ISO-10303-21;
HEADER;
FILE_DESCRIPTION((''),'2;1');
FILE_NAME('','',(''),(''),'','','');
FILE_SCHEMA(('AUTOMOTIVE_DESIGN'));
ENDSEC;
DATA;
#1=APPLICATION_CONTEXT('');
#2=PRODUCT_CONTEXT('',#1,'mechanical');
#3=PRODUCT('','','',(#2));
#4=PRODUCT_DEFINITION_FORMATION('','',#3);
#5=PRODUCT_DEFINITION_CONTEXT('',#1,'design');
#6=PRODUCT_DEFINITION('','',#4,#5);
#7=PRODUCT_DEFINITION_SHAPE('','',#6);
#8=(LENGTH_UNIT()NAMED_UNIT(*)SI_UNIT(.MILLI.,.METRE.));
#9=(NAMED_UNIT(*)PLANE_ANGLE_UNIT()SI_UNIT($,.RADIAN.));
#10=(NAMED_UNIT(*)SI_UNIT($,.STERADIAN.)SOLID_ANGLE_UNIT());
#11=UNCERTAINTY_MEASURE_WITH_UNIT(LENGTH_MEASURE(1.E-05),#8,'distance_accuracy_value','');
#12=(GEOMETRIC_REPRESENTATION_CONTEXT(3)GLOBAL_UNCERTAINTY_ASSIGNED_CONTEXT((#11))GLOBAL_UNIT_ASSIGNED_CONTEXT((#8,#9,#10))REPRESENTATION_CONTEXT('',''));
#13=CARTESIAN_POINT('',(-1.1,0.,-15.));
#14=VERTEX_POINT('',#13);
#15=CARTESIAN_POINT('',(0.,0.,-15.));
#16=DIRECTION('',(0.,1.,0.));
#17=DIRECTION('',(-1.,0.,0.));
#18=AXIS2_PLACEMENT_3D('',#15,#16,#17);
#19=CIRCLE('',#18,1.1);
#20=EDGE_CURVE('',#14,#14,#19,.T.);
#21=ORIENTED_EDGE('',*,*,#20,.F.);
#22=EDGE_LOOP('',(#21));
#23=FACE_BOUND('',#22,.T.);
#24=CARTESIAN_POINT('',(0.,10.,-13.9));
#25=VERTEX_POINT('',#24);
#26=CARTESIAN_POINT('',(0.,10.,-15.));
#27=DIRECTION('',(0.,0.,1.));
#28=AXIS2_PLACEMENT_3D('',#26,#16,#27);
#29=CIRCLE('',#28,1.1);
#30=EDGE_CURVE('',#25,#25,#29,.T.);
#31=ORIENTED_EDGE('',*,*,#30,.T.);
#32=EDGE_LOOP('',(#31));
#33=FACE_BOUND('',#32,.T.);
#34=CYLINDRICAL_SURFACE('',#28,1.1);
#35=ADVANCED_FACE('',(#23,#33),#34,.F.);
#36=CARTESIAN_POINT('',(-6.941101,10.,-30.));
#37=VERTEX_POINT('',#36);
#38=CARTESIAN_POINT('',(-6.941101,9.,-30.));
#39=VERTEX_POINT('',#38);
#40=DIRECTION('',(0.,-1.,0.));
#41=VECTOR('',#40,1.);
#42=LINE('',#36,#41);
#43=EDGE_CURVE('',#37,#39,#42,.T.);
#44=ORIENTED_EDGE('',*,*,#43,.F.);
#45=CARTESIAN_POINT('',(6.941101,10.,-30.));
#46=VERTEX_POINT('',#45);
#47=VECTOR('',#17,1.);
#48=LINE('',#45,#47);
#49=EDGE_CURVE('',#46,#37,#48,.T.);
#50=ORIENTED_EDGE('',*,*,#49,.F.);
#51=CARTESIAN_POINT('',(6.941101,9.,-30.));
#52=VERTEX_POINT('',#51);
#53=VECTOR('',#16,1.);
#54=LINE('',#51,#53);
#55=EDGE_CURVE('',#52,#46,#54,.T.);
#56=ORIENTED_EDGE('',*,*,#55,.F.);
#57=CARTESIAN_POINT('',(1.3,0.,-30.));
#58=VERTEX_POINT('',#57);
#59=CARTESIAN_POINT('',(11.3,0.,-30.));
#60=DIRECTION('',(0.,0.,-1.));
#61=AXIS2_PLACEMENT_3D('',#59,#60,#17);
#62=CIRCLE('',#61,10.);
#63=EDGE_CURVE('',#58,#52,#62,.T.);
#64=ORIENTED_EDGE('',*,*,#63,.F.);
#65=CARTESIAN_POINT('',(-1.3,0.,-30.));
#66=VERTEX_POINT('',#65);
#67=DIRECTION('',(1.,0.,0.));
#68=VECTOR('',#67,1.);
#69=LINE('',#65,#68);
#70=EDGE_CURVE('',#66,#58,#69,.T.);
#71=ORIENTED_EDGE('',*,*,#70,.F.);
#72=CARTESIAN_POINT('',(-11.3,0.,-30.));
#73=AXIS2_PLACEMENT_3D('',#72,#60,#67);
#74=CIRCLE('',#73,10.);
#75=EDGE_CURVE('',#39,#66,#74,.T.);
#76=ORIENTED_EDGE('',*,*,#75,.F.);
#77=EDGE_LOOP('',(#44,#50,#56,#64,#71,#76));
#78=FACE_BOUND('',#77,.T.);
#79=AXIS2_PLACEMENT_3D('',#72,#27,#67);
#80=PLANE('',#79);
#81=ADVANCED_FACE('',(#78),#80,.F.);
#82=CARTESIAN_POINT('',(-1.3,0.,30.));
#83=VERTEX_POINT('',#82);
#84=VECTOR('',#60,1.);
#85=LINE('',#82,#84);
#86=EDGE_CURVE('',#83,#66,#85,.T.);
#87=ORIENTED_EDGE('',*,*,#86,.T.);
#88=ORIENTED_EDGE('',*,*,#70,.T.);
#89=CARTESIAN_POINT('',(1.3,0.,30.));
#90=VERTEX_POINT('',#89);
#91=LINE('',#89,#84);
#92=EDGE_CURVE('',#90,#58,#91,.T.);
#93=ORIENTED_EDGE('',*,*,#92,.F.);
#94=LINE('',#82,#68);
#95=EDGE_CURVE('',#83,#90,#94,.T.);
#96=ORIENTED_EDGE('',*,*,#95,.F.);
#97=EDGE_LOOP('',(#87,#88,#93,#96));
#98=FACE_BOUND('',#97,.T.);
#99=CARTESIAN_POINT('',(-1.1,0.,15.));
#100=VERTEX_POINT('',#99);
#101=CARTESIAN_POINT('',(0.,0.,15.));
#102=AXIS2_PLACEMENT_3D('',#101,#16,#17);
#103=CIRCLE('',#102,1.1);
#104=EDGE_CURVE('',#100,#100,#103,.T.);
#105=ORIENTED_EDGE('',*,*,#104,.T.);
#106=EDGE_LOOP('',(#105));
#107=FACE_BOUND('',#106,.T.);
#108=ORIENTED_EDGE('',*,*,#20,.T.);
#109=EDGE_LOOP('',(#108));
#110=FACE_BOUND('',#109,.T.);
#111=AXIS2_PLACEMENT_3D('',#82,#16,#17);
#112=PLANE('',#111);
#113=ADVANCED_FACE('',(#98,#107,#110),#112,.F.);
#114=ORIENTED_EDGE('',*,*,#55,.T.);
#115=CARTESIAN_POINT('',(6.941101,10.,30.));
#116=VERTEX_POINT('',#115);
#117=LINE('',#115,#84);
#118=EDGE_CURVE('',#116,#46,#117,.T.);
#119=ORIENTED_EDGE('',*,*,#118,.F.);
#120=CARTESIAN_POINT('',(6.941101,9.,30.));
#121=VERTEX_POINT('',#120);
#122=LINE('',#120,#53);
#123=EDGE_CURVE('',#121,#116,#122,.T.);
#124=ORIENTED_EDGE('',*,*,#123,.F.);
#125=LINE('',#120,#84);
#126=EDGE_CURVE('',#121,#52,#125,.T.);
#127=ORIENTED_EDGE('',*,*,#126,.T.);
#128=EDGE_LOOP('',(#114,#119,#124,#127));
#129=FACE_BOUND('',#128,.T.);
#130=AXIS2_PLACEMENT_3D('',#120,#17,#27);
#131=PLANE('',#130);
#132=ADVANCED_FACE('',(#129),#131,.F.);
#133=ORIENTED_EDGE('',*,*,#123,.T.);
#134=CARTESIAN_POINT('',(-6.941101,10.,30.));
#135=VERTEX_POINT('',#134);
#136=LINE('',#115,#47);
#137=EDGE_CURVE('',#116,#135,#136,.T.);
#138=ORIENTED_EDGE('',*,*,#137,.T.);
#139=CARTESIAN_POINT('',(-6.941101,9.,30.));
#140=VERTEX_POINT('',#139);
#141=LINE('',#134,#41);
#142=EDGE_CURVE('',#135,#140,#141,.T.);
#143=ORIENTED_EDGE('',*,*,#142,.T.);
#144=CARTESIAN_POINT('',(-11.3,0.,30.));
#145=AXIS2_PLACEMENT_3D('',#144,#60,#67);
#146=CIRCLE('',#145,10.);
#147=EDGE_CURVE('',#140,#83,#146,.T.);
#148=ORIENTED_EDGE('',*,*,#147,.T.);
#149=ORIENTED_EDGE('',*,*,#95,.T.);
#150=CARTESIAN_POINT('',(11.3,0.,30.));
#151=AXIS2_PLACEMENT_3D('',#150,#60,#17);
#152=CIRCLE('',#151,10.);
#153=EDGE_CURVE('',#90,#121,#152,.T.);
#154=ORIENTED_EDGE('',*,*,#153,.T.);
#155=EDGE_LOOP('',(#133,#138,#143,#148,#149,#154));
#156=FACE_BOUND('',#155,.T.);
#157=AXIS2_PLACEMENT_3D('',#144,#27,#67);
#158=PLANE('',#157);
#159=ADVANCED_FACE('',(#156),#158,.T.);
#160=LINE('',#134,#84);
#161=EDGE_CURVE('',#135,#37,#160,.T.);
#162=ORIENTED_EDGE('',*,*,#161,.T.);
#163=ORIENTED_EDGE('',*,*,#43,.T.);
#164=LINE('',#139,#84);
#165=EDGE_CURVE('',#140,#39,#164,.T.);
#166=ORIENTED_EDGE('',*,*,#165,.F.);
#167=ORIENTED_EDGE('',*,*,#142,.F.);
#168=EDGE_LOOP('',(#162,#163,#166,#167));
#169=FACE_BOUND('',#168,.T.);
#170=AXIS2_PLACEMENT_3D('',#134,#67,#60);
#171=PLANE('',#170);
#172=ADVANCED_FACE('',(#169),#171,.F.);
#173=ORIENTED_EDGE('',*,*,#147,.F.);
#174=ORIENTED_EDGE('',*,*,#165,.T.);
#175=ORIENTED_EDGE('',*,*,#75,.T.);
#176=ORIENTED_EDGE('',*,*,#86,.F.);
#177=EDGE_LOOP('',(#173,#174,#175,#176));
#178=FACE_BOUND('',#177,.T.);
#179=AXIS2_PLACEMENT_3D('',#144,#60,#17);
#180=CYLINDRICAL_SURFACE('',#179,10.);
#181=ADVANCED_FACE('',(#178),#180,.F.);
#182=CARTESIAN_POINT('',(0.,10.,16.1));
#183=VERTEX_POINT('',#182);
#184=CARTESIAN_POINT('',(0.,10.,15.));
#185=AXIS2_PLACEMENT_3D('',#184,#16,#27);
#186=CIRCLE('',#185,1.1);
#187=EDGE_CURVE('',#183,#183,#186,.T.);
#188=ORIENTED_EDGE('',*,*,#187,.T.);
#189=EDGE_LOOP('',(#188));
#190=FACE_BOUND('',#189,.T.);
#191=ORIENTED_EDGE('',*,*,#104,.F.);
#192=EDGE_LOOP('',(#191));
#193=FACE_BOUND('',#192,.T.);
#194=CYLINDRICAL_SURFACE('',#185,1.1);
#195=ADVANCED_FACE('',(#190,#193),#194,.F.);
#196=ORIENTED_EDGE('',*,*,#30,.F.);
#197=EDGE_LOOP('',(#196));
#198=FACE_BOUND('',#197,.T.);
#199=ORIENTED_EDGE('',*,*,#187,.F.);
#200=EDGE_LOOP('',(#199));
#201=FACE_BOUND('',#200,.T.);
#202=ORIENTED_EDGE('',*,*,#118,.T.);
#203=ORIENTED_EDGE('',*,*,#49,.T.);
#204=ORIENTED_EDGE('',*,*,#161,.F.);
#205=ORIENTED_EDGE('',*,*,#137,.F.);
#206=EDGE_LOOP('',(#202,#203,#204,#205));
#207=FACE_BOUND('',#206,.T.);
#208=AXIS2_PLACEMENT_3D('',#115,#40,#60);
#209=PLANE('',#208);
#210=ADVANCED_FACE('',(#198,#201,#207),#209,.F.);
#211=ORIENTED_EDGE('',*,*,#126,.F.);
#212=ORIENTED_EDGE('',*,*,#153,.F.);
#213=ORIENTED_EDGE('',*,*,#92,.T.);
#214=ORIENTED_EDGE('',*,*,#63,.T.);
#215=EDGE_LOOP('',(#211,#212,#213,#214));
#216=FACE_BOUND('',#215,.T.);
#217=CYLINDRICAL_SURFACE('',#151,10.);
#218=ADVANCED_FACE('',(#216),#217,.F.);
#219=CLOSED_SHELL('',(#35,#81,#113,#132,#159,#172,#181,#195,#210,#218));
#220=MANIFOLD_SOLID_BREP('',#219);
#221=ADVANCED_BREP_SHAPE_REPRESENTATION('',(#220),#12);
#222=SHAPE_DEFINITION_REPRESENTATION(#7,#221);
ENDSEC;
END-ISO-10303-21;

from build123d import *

# Parameters (mm, degrees)
BOSS_EXTRUDE1_DEPTH        = 30
F_2_2_2_2_DIAMETER_HOLE1_D = 2.2


with BuildPart() as part:
    # Sketch1 → Boss-Extrude1 (new, symmetric)
    with BuildSketch(Plane.XY):
        with BuildLine():
            Line((-1.3, 0), (1.3, 0))
            ThreePointArc((1.3, 0), (2.826836794, 5.310885546), (6.941101056, 9))
            Line((6.941101056, 9), (6.941101056, 10))
            Line((6.941101056, 10), (-6.941101056, 10))
            Line((-6.941101056, 10), (-6.941101056, 9))
            ThreePointArc((-6.941101056, 9), (-2.826836794, 5.310885546), (-1.3, 0))
        make_face()
    extrude(amount=BOSS_EXTRUDE1_DEPTH, both=True)

    # Ø2.2 (2.2) Diameter Hole1 (through all)
    with Locations(Plane(origin=(0, 10, 15), x_dir=(0, 0, 1), z_dir=(0, 1, 0))):
        with Locations((0, 0), (-30, 0)):
            Hole(F_2_2_2_2_DIAMETER_HOLE1_D / 2)


solid = part.part
